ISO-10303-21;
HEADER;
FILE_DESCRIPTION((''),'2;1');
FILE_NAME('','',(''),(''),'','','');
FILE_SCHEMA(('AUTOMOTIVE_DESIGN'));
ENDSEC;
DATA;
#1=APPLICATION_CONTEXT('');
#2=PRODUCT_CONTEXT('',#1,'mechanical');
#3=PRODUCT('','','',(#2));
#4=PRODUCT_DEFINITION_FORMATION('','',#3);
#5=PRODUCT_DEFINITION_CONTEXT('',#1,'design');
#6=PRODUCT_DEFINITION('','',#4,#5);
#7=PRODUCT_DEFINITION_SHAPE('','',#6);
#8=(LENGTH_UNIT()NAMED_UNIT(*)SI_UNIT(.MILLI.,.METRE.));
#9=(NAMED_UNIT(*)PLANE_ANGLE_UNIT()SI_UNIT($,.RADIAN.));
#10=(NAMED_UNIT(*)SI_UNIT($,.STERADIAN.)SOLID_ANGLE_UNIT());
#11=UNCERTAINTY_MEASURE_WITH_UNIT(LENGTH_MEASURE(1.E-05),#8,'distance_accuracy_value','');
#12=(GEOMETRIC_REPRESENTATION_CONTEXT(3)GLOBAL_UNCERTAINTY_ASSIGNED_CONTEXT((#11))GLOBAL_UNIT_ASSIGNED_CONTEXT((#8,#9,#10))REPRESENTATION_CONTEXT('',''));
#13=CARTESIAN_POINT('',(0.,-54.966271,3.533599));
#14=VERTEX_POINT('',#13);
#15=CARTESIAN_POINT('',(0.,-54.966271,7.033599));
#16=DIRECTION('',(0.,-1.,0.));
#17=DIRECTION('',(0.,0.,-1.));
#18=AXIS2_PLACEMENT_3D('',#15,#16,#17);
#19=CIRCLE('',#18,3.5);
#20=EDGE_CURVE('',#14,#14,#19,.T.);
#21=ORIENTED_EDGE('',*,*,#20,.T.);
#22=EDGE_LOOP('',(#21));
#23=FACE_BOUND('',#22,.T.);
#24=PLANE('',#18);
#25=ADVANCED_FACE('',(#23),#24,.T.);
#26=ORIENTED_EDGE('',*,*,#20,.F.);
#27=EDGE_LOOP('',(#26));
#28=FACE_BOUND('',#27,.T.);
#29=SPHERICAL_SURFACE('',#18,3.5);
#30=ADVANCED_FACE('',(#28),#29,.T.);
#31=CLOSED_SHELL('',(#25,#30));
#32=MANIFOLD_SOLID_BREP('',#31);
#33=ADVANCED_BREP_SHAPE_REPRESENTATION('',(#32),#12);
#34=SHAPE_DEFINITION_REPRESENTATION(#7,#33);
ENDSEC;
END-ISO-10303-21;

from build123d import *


with BuildPart() as part:
    # Sketch1 → Revolve1 (revolve)
    with BuildSketch(Plane(origin=(0, 0, 0), x_dir=(0, 0, -1), z_dir=(1, 0, 0))):
        with BuildLine():
            Line((-7.033598616, -54.966270669), (-3.533598616, -54.966270669))
            ThreePointArc((-3.533598616, -54.966270669), (-4.558724882, -52.491396935), (-7.033598616, -51.466270669))
            Line((-7.033598616, -51.466270669), (-7.033598616, -54.966270669))
        make_face()
    revolve(axis=Axis((0, -54.966270669, 7.033598616), (0, 1, 0)))


solid = part.part
